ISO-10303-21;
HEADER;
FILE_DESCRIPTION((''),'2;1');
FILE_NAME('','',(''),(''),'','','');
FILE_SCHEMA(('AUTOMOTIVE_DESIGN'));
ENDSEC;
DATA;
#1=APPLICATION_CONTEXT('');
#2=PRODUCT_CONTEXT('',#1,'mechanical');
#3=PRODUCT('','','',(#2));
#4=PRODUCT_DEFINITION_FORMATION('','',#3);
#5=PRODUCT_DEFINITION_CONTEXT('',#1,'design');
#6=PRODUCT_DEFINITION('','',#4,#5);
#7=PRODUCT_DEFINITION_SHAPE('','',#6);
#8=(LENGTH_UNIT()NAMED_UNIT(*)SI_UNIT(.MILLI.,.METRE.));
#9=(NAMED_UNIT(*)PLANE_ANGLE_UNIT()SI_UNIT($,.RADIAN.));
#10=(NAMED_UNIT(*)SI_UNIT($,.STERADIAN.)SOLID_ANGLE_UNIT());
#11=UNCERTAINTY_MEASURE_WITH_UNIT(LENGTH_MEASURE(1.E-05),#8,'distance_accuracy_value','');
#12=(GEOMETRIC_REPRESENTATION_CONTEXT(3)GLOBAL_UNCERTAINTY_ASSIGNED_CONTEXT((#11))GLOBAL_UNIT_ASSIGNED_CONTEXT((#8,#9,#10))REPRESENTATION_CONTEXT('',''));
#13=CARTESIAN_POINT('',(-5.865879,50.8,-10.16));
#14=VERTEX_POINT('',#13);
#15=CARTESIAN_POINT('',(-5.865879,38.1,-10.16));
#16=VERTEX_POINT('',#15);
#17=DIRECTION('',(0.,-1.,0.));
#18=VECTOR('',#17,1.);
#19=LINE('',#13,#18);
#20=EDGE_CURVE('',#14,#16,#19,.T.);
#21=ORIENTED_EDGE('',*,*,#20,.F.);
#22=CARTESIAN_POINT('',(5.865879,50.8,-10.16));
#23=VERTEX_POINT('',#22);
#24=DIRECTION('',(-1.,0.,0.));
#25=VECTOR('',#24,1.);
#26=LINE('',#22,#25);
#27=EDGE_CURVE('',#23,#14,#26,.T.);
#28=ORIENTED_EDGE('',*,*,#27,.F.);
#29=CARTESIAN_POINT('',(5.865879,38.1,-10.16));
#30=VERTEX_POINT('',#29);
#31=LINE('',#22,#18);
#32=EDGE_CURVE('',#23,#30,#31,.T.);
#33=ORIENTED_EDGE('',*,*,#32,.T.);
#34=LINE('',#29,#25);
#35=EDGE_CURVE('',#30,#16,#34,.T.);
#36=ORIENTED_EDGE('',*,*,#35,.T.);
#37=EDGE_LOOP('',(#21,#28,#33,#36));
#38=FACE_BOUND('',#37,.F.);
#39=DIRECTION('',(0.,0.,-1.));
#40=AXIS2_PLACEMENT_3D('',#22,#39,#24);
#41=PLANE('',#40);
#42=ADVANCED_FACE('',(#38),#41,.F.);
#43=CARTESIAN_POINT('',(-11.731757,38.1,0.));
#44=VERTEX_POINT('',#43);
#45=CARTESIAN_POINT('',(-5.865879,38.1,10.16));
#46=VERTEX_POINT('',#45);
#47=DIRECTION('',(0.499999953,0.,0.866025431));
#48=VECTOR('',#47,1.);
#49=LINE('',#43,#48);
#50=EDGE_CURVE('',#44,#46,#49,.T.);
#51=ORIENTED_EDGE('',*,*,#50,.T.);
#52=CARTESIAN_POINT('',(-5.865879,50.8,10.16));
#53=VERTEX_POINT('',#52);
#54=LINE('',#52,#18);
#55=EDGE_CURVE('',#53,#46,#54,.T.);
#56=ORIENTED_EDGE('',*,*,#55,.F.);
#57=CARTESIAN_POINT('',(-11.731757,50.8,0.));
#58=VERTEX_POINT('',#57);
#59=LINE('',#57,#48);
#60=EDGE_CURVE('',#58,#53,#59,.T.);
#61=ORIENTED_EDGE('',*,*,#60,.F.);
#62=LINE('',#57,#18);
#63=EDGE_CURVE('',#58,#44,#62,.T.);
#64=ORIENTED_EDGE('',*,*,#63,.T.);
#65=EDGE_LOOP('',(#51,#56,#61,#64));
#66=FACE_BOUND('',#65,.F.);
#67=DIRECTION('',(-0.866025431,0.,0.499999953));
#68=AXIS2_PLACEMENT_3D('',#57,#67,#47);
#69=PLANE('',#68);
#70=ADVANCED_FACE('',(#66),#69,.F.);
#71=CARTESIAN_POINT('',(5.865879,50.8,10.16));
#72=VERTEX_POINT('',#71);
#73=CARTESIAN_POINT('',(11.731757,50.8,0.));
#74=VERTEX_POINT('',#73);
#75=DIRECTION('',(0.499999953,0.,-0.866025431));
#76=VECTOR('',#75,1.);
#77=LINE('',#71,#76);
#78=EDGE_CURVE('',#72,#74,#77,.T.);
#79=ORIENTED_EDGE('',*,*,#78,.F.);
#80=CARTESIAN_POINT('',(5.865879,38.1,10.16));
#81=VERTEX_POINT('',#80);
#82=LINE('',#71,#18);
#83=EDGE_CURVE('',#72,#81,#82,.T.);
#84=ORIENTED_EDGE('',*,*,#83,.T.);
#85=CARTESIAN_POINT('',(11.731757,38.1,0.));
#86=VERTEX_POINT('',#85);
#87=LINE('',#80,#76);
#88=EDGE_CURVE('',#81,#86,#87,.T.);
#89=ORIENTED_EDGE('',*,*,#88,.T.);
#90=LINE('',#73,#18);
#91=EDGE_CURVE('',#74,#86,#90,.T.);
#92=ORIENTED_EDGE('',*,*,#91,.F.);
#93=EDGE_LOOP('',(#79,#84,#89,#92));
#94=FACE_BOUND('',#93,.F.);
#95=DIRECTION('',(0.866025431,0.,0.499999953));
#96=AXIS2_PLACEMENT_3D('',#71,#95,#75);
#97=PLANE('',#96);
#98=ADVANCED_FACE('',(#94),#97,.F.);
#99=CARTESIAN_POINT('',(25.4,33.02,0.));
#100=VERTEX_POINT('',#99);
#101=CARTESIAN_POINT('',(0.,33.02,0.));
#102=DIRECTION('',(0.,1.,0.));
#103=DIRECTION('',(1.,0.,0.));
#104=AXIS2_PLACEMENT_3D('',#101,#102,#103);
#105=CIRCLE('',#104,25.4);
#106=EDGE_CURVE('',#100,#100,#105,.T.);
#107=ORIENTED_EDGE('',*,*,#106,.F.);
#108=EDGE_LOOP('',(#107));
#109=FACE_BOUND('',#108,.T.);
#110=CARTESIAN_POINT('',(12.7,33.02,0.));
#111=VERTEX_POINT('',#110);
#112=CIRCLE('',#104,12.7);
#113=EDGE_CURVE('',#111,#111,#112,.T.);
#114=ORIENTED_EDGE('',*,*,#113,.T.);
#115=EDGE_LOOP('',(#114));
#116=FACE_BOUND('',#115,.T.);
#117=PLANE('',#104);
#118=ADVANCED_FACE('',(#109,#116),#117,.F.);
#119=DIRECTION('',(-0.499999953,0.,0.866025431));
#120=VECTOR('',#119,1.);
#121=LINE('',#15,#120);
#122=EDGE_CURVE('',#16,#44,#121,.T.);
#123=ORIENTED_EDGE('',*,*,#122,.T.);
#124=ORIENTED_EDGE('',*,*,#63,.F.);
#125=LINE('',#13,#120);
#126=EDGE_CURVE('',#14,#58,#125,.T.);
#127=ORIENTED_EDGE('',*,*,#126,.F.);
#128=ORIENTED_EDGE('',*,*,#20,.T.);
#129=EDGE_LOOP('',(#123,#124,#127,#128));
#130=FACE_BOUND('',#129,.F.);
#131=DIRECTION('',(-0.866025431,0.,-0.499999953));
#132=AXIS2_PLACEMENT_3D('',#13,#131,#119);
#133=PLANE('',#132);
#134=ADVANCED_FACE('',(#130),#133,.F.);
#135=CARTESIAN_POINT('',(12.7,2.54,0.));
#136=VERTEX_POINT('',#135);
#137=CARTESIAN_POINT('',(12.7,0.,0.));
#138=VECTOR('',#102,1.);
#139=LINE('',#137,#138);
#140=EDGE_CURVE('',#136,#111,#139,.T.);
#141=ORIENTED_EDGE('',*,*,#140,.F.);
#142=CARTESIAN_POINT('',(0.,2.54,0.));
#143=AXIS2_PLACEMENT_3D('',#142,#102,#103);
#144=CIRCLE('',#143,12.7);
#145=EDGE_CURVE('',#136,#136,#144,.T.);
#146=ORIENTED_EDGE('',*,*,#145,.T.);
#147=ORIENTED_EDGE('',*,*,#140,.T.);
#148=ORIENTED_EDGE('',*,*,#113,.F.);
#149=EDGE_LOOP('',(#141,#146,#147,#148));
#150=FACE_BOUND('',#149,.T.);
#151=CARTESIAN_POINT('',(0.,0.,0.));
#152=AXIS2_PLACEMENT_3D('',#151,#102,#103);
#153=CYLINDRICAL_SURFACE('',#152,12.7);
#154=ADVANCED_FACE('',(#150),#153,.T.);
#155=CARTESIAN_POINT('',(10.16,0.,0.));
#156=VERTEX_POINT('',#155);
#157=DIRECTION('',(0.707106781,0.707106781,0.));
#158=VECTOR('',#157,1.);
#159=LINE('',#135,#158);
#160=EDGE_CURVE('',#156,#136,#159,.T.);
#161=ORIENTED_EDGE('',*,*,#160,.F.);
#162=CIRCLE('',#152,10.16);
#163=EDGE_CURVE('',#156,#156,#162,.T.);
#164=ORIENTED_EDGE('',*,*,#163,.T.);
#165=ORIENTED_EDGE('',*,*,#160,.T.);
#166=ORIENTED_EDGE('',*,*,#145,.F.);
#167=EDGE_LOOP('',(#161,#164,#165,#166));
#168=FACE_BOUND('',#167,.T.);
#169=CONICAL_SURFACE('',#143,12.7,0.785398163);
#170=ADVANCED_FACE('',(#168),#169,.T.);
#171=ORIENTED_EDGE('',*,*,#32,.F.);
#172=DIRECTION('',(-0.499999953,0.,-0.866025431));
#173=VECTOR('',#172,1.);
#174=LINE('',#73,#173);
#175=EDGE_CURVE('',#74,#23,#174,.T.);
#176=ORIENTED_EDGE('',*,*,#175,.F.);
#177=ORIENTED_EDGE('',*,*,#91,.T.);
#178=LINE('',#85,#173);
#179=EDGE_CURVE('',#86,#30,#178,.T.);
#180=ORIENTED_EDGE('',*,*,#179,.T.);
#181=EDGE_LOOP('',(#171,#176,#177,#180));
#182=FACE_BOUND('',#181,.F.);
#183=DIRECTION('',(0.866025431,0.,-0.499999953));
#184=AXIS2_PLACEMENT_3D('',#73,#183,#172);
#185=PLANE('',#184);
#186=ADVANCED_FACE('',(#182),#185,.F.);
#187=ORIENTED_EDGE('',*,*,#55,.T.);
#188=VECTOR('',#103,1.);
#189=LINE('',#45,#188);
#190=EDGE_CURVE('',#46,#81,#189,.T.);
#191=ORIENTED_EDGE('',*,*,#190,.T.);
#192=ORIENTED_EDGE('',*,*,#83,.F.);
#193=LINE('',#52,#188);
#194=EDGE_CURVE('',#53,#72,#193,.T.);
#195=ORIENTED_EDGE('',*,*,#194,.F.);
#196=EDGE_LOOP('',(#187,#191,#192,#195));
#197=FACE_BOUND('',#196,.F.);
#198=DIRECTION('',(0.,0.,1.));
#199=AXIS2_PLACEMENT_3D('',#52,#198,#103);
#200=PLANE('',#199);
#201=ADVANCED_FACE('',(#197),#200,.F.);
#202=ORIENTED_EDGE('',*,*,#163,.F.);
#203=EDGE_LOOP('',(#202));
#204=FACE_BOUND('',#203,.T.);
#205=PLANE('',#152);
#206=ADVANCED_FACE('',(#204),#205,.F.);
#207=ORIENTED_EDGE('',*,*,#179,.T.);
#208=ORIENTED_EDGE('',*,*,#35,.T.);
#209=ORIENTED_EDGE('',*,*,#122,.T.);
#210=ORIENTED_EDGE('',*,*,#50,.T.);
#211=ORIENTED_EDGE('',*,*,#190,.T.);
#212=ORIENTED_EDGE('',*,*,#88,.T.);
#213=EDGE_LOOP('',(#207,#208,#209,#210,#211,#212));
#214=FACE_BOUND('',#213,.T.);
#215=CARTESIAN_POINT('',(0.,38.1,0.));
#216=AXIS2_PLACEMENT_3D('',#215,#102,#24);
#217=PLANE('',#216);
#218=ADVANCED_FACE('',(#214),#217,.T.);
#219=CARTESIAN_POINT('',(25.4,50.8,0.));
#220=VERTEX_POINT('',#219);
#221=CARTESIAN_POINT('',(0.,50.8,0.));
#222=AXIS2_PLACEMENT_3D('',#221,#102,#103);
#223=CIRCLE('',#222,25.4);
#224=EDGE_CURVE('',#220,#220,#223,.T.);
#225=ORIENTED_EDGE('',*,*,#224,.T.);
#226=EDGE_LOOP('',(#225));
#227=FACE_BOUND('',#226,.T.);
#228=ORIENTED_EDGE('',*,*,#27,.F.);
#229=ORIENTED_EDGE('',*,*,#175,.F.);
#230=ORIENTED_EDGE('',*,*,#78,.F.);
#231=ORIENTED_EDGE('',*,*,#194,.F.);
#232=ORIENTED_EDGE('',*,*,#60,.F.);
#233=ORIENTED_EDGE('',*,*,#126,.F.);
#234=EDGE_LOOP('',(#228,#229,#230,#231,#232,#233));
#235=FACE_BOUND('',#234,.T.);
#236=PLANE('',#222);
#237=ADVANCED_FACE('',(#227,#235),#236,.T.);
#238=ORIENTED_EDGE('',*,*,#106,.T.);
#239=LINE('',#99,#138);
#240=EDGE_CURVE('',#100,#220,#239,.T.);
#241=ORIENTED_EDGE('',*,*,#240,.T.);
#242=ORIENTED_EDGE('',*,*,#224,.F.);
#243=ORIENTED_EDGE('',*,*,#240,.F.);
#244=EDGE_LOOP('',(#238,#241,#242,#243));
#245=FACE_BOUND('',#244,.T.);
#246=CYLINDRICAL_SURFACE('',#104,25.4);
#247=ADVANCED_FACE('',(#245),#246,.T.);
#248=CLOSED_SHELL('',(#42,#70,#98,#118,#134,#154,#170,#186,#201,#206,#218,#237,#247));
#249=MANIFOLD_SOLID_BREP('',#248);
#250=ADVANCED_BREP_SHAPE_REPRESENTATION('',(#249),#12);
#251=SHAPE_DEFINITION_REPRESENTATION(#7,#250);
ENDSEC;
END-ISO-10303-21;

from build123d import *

# Parameters (mm, degrees)
F2_SIZE  = 2.54
F4_DEPTH = 12.7


with BuildPart() as f1:
    # F0 (on Top) → F1 (revolve)
    with BuildSketch(Plane.XY):
        Polygon((0, 50.8), (0, 0), (12.7, 0), (12.7, 33.02), (25.4, 33.02), (25.4, 50.8), align=None)
    revolve(axis=Axis((0, 25.4, 0), (0, 1, 0)))

    # F2
    f2_edges = [f1.edges().sort_by_distance(p)[0] for p in [
        (-12.7, 0, 0),
    ]]
    chamfer(f2_edges, length=F2_SIZE)

    # F3 (on face) → F4 (cut)
    with BuildSketch(Plane(origin=(0, 50.8, 0), x_dir=(-1, 0, 0), z_dir=(0, 1, 0))):
        Polygon((-5.865879, 10.16), (-11.731757, 0), (-5.865879, -10.16), (5.865879, -10.16), (11.731757, 0), (5.865879, 10.16), align=None)
    extrude(amount=-F4_DEPTH, mode=Mode.SUBTRACT)


solid = f1.part
